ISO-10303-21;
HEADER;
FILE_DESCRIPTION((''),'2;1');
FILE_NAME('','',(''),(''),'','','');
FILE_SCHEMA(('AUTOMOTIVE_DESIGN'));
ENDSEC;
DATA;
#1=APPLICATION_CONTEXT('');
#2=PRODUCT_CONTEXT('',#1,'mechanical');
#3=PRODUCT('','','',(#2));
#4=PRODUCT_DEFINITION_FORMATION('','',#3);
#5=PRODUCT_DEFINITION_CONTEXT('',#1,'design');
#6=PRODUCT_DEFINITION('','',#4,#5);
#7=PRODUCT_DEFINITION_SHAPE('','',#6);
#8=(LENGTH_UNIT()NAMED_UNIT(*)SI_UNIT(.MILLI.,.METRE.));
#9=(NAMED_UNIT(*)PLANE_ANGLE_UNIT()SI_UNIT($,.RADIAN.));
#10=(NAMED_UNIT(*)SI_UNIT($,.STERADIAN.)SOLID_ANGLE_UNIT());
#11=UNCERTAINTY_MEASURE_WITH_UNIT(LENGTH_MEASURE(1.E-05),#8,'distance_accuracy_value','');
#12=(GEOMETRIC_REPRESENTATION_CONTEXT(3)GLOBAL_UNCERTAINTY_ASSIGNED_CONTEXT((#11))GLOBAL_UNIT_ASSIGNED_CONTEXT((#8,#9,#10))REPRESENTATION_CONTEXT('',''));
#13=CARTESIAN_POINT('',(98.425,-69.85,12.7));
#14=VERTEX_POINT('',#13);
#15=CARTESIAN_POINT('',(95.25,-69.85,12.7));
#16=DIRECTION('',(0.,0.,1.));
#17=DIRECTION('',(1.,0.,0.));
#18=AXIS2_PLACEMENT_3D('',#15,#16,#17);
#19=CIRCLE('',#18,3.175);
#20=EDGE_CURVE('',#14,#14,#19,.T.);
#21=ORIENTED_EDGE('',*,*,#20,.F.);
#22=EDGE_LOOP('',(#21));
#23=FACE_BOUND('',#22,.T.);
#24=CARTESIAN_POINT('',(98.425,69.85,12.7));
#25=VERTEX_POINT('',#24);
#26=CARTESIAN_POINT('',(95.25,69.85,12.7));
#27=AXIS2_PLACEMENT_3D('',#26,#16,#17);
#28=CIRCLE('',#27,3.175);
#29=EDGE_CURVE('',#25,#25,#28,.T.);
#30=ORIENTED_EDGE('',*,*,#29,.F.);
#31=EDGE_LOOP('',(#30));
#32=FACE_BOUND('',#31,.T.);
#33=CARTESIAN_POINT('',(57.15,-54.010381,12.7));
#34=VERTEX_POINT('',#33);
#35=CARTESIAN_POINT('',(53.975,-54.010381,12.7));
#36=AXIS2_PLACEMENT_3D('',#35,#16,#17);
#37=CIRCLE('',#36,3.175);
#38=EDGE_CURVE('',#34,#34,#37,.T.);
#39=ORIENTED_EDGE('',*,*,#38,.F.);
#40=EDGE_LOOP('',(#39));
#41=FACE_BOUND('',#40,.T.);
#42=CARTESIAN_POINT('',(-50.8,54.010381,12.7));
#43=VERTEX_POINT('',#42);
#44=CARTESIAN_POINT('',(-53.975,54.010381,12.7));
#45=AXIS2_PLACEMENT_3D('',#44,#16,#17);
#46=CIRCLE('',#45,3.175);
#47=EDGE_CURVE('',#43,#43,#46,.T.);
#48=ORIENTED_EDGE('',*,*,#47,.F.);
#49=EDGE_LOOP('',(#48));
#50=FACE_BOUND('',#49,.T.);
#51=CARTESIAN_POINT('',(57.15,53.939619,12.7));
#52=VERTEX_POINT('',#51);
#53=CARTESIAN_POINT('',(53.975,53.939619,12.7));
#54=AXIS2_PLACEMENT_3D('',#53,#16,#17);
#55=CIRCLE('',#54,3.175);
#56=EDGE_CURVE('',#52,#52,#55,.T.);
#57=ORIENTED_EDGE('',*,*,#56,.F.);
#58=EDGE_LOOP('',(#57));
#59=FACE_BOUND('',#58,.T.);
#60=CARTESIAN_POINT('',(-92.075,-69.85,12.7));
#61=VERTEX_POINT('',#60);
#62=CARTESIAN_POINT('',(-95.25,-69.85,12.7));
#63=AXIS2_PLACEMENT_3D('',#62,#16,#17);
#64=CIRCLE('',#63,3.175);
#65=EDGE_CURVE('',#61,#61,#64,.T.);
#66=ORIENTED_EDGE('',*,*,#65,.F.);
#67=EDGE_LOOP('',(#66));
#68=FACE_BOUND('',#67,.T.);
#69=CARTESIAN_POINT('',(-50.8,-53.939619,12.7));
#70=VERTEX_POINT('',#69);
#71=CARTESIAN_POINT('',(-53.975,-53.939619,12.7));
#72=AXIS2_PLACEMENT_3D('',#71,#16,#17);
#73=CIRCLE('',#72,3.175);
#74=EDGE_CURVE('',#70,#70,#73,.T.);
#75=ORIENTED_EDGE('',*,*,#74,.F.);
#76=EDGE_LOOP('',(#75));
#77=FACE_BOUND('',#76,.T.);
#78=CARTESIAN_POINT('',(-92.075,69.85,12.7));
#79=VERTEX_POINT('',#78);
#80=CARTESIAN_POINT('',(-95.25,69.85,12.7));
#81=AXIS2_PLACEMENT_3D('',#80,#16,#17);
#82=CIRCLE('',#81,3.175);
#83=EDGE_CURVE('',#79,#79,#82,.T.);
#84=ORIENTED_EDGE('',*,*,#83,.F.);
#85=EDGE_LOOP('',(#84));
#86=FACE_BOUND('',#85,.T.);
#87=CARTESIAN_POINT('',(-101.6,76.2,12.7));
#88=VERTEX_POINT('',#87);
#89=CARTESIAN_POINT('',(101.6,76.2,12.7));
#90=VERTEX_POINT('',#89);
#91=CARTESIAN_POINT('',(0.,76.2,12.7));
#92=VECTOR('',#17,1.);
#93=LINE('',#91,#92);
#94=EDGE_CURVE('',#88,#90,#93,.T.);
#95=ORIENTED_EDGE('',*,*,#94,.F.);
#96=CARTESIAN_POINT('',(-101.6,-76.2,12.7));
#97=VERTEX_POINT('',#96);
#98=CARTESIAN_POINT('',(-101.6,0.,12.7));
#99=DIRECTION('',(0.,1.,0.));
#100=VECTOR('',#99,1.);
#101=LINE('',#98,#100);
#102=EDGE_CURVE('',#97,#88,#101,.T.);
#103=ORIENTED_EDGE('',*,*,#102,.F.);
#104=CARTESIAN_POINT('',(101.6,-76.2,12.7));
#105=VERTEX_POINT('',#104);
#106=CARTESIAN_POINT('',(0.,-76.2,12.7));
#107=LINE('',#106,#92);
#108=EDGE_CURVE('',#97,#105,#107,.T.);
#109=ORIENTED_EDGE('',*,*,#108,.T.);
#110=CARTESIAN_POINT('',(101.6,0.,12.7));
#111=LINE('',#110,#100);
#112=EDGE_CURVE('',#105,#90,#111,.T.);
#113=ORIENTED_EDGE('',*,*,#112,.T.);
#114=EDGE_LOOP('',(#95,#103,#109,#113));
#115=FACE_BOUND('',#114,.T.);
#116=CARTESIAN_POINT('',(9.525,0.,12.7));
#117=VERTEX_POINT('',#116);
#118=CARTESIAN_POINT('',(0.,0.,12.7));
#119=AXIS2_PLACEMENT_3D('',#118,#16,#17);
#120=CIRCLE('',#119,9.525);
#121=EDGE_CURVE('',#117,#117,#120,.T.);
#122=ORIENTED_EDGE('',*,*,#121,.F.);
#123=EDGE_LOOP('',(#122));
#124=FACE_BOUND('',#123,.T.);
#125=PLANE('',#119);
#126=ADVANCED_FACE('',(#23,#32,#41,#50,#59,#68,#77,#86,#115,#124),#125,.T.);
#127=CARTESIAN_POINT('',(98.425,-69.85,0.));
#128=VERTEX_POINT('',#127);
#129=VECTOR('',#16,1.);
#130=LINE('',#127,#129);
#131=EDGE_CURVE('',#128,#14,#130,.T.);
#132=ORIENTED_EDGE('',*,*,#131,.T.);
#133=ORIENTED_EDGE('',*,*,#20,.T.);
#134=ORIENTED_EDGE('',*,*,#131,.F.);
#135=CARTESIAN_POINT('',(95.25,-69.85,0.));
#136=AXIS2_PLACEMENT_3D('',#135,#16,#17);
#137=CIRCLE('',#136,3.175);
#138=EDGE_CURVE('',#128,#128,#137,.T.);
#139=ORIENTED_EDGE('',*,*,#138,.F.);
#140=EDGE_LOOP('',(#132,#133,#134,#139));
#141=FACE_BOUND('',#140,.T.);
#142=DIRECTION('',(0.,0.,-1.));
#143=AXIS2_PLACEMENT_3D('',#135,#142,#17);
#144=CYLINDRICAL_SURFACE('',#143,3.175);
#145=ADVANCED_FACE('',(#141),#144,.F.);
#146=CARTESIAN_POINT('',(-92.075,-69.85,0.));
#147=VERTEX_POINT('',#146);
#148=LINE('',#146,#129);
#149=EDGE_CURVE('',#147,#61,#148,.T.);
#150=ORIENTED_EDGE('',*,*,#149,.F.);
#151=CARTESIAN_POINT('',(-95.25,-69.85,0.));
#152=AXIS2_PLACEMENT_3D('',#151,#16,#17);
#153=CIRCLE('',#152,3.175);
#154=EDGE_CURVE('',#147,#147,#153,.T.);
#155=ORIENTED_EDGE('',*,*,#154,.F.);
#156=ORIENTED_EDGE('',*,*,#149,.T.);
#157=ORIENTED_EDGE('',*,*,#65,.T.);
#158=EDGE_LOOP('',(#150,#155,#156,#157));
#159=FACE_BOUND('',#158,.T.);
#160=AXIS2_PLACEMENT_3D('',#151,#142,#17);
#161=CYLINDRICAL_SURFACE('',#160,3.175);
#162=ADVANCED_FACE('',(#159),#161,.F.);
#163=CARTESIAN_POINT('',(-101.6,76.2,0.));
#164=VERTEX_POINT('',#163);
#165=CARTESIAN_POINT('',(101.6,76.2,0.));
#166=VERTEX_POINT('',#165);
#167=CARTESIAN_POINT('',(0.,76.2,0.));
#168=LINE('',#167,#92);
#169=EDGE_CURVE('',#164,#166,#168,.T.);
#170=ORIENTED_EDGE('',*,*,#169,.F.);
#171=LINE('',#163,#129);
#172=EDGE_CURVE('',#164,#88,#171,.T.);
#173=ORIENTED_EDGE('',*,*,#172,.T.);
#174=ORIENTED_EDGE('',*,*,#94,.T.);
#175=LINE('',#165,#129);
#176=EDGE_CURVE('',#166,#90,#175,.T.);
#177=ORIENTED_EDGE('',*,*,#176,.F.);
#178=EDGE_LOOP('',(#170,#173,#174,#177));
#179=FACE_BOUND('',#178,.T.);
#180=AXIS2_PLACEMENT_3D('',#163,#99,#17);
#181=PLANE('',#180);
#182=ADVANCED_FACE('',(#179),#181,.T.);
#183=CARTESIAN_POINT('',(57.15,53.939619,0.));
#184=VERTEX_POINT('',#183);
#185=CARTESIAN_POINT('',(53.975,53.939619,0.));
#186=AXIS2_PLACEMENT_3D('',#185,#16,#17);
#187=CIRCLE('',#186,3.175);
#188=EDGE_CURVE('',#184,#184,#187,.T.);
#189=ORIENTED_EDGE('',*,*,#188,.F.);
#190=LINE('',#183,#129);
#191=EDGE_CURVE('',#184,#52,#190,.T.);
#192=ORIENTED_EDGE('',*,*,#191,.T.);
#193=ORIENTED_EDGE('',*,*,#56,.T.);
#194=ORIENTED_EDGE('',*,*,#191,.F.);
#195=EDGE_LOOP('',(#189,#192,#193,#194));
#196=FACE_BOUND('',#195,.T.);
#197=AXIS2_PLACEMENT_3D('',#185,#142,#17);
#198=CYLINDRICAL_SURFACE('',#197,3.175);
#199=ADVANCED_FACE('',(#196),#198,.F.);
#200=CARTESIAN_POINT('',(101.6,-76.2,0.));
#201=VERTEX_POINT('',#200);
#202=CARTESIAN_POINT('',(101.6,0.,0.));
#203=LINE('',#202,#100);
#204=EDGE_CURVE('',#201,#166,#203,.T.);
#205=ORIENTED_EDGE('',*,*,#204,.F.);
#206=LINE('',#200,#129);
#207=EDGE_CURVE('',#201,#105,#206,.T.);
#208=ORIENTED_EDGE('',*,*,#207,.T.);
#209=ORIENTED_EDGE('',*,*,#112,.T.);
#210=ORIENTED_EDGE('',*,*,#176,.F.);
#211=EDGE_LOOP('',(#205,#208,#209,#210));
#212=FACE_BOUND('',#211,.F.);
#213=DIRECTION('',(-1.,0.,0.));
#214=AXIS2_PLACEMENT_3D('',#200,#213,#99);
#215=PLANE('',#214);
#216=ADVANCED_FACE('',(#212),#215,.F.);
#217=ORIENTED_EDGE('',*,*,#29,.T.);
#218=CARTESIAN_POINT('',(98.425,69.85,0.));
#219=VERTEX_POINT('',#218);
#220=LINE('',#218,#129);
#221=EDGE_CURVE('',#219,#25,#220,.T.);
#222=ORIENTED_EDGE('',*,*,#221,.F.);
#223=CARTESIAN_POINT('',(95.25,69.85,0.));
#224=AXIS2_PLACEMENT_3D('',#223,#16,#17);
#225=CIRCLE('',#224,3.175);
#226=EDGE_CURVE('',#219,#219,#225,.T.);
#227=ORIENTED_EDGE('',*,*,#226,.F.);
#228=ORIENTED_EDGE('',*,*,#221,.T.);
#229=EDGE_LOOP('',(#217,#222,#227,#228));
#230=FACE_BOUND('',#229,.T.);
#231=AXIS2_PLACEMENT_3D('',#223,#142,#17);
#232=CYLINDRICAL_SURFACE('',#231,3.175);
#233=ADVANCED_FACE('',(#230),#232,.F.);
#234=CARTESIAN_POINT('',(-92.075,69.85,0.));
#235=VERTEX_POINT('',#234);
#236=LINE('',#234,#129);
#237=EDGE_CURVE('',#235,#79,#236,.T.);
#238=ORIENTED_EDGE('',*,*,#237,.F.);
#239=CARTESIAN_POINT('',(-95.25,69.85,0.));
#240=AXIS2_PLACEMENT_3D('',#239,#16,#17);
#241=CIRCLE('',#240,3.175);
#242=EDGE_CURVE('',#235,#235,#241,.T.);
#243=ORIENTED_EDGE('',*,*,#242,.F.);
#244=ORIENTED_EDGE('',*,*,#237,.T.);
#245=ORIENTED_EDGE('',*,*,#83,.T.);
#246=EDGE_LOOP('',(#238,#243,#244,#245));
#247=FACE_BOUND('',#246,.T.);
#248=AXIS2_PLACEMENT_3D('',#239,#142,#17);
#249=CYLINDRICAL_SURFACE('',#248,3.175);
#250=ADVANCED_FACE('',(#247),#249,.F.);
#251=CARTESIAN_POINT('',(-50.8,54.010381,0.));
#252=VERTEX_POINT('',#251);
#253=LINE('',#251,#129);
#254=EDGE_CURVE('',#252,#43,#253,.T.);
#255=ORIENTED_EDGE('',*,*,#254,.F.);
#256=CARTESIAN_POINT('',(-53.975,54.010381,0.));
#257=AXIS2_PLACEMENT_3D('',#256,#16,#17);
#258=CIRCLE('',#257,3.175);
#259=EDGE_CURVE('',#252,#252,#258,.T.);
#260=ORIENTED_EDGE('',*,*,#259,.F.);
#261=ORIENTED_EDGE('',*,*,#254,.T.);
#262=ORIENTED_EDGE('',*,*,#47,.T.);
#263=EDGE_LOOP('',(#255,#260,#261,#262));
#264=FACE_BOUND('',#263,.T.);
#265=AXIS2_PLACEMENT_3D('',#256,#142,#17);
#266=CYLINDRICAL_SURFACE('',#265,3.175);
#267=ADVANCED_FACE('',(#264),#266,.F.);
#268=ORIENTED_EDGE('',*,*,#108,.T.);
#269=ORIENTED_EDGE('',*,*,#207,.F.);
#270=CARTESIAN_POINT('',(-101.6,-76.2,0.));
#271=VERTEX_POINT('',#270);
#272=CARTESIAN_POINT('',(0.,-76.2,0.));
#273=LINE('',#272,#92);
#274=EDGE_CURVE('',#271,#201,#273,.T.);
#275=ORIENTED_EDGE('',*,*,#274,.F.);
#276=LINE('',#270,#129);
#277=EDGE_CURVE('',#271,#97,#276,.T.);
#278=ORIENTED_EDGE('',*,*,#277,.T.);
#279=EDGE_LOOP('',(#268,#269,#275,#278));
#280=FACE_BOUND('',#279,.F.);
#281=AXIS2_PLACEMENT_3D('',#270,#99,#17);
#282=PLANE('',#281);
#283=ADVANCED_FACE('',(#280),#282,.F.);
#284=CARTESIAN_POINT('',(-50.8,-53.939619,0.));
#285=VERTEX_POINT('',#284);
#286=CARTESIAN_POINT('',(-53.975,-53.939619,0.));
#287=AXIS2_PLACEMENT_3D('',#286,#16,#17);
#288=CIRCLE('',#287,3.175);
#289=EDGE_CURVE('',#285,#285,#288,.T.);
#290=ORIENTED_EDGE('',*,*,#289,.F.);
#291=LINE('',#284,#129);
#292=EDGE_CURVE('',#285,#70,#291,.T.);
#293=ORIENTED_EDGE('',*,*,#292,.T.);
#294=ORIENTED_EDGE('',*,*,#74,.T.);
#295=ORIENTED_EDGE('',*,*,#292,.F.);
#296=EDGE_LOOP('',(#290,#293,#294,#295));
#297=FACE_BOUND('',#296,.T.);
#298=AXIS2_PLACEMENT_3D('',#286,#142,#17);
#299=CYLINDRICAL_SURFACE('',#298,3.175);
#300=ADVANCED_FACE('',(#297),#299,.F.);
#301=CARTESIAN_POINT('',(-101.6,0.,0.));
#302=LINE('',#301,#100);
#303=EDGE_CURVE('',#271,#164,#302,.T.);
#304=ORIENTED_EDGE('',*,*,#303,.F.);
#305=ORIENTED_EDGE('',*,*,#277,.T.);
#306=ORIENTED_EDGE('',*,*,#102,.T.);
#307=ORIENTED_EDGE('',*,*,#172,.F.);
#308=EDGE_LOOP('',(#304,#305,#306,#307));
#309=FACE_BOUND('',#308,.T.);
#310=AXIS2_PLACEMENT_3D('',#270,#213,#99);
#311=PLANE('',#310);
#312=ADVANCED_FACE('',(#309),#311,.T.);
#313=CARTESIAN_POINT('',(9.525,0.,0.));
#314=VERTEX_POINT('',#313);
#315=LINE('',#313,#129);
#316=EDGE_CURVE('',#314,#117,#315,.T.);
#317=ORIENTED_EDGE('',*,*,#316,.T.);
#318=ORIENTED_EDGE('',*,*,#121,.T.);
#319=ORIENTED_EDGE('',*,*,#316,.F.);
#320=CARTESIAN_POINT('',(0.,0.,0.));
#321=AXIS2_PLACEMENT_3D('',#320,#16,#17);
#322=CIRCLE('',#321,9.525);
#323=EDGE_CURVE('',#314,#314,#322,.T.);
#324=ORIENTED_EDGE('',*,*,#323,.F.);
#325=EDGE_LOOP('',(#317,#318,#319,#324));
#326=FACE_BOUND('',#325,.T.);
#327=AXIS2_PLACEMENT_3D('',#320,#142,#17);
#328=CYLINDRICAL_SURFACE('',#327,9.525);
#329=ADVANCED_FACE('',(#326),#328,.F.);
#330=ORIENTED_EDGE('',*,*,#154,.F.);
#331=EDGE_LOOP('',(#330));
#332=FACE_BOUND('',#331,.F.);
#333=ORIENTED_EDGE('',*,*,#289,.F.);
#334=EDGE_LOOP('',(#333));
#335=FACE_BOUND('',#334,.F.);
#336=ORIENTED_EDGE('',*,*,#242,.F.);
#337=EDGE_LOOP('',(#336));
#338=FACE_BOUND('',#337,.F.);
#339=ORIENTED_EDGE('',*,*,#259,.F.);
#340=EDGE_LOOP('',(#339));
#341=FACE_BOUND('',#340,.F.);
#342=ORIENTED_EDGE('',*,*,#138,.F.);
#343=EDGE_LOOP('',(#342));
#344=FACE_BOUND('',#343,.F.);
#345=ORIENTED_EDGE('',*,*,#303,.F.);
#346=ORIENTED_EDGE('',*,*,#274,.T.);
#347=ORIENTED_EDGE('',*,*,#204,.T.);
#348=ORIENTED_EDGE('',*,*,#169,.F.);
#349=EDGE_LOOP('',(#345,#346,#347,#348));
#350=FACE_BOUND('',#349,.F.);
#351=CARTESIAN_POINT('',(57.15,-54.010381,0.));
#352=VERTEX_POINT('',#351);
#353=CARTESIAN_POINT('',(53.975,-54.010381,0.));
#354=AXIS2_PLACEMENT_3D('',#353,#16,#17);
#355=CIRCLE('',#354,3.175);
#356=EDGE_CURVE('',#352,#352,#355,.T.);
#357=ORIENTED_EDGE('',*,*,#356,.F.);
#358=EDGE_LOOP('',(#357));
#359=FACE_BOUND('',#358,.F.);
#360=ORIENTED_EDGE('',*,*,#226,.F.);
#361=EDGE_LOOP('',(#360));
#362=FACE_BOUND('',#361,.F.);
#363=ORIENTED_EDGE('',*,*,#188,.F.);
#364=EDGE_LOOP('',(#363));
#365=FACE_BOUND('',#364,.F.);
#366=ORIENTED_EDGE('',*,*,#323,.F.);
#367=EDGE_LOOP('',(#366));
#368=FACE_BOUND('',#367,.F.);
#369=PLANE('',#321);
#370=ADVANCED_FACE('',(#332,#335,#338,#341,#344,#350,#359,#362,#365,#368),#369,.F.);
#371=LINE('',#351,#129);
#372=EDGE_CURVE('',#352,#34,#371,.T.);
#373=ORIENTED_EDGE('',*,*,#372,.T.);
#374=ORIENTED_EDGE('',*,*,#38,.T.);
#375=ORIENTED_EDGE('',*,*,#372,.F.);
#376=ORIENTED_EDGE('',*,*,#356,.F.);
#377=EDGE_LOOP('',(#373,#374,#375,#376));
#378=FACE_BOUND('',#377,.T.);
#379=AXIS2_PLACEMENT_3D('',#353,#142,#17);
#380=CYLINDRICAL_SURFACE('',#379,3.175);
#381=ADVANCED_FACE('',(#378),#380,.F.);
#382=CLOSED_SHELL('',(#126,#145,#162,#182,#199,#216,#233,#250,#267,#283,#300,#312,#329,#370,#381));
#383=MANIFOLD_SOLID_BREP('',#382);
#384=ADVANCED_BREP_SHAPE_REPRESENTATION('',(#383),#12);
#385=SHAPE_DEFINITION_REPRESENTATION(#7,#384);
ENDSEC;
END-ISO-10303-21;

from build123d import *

# Parameters (mm, degrees)
F0_W     = 203.2
F0_H     = 152.4
F0_R     = 3.175
F0_R_2   = 9.525
F1_DEPTH = 12.7


with BuildPart() as f1:
    # F0 (on Top) → F1 (new body)
    with BuildSketch(Plane.XY):
        Rectangle(F0_W, F0_H)
        with Locations((-95.25, -69.85)):
            Circle(F0_R, mode=Mode.SUBTRACT)
        with Locations((-53.975, -53.939619)):
            Circle(F0_R, mode=Mode.SUBTRACT)
        with Locations((95.25, -69.85)):
            Circle(F0_R, mode=Mode.SUBTRACT)
        with Locations((53.975, -54.010381)):
            Circle(F0_R, mode=Mode.SUBTRACT)
        Circle(F0_R_2, mode=Mode.SUBTRACT)
        with Locations((-53.975, 54.010381)):
            Circle(F0_R, mode=Mode.SUBTRACT)
        with Locations((-95.25, 69.85)):
            Circle(F0_R, mode=Mode.SUBTRACT)
        with Locations((53.975, 53.939619)):
            Circle(F0_R, mode=Mode.SUBTRACT)
        with Locations((95.25, 69.85)):
            Circle(F0_R, mode=Mode.SUBTRACT)
    extrude(amount=F1_DEPTH)


solid = f1.part
